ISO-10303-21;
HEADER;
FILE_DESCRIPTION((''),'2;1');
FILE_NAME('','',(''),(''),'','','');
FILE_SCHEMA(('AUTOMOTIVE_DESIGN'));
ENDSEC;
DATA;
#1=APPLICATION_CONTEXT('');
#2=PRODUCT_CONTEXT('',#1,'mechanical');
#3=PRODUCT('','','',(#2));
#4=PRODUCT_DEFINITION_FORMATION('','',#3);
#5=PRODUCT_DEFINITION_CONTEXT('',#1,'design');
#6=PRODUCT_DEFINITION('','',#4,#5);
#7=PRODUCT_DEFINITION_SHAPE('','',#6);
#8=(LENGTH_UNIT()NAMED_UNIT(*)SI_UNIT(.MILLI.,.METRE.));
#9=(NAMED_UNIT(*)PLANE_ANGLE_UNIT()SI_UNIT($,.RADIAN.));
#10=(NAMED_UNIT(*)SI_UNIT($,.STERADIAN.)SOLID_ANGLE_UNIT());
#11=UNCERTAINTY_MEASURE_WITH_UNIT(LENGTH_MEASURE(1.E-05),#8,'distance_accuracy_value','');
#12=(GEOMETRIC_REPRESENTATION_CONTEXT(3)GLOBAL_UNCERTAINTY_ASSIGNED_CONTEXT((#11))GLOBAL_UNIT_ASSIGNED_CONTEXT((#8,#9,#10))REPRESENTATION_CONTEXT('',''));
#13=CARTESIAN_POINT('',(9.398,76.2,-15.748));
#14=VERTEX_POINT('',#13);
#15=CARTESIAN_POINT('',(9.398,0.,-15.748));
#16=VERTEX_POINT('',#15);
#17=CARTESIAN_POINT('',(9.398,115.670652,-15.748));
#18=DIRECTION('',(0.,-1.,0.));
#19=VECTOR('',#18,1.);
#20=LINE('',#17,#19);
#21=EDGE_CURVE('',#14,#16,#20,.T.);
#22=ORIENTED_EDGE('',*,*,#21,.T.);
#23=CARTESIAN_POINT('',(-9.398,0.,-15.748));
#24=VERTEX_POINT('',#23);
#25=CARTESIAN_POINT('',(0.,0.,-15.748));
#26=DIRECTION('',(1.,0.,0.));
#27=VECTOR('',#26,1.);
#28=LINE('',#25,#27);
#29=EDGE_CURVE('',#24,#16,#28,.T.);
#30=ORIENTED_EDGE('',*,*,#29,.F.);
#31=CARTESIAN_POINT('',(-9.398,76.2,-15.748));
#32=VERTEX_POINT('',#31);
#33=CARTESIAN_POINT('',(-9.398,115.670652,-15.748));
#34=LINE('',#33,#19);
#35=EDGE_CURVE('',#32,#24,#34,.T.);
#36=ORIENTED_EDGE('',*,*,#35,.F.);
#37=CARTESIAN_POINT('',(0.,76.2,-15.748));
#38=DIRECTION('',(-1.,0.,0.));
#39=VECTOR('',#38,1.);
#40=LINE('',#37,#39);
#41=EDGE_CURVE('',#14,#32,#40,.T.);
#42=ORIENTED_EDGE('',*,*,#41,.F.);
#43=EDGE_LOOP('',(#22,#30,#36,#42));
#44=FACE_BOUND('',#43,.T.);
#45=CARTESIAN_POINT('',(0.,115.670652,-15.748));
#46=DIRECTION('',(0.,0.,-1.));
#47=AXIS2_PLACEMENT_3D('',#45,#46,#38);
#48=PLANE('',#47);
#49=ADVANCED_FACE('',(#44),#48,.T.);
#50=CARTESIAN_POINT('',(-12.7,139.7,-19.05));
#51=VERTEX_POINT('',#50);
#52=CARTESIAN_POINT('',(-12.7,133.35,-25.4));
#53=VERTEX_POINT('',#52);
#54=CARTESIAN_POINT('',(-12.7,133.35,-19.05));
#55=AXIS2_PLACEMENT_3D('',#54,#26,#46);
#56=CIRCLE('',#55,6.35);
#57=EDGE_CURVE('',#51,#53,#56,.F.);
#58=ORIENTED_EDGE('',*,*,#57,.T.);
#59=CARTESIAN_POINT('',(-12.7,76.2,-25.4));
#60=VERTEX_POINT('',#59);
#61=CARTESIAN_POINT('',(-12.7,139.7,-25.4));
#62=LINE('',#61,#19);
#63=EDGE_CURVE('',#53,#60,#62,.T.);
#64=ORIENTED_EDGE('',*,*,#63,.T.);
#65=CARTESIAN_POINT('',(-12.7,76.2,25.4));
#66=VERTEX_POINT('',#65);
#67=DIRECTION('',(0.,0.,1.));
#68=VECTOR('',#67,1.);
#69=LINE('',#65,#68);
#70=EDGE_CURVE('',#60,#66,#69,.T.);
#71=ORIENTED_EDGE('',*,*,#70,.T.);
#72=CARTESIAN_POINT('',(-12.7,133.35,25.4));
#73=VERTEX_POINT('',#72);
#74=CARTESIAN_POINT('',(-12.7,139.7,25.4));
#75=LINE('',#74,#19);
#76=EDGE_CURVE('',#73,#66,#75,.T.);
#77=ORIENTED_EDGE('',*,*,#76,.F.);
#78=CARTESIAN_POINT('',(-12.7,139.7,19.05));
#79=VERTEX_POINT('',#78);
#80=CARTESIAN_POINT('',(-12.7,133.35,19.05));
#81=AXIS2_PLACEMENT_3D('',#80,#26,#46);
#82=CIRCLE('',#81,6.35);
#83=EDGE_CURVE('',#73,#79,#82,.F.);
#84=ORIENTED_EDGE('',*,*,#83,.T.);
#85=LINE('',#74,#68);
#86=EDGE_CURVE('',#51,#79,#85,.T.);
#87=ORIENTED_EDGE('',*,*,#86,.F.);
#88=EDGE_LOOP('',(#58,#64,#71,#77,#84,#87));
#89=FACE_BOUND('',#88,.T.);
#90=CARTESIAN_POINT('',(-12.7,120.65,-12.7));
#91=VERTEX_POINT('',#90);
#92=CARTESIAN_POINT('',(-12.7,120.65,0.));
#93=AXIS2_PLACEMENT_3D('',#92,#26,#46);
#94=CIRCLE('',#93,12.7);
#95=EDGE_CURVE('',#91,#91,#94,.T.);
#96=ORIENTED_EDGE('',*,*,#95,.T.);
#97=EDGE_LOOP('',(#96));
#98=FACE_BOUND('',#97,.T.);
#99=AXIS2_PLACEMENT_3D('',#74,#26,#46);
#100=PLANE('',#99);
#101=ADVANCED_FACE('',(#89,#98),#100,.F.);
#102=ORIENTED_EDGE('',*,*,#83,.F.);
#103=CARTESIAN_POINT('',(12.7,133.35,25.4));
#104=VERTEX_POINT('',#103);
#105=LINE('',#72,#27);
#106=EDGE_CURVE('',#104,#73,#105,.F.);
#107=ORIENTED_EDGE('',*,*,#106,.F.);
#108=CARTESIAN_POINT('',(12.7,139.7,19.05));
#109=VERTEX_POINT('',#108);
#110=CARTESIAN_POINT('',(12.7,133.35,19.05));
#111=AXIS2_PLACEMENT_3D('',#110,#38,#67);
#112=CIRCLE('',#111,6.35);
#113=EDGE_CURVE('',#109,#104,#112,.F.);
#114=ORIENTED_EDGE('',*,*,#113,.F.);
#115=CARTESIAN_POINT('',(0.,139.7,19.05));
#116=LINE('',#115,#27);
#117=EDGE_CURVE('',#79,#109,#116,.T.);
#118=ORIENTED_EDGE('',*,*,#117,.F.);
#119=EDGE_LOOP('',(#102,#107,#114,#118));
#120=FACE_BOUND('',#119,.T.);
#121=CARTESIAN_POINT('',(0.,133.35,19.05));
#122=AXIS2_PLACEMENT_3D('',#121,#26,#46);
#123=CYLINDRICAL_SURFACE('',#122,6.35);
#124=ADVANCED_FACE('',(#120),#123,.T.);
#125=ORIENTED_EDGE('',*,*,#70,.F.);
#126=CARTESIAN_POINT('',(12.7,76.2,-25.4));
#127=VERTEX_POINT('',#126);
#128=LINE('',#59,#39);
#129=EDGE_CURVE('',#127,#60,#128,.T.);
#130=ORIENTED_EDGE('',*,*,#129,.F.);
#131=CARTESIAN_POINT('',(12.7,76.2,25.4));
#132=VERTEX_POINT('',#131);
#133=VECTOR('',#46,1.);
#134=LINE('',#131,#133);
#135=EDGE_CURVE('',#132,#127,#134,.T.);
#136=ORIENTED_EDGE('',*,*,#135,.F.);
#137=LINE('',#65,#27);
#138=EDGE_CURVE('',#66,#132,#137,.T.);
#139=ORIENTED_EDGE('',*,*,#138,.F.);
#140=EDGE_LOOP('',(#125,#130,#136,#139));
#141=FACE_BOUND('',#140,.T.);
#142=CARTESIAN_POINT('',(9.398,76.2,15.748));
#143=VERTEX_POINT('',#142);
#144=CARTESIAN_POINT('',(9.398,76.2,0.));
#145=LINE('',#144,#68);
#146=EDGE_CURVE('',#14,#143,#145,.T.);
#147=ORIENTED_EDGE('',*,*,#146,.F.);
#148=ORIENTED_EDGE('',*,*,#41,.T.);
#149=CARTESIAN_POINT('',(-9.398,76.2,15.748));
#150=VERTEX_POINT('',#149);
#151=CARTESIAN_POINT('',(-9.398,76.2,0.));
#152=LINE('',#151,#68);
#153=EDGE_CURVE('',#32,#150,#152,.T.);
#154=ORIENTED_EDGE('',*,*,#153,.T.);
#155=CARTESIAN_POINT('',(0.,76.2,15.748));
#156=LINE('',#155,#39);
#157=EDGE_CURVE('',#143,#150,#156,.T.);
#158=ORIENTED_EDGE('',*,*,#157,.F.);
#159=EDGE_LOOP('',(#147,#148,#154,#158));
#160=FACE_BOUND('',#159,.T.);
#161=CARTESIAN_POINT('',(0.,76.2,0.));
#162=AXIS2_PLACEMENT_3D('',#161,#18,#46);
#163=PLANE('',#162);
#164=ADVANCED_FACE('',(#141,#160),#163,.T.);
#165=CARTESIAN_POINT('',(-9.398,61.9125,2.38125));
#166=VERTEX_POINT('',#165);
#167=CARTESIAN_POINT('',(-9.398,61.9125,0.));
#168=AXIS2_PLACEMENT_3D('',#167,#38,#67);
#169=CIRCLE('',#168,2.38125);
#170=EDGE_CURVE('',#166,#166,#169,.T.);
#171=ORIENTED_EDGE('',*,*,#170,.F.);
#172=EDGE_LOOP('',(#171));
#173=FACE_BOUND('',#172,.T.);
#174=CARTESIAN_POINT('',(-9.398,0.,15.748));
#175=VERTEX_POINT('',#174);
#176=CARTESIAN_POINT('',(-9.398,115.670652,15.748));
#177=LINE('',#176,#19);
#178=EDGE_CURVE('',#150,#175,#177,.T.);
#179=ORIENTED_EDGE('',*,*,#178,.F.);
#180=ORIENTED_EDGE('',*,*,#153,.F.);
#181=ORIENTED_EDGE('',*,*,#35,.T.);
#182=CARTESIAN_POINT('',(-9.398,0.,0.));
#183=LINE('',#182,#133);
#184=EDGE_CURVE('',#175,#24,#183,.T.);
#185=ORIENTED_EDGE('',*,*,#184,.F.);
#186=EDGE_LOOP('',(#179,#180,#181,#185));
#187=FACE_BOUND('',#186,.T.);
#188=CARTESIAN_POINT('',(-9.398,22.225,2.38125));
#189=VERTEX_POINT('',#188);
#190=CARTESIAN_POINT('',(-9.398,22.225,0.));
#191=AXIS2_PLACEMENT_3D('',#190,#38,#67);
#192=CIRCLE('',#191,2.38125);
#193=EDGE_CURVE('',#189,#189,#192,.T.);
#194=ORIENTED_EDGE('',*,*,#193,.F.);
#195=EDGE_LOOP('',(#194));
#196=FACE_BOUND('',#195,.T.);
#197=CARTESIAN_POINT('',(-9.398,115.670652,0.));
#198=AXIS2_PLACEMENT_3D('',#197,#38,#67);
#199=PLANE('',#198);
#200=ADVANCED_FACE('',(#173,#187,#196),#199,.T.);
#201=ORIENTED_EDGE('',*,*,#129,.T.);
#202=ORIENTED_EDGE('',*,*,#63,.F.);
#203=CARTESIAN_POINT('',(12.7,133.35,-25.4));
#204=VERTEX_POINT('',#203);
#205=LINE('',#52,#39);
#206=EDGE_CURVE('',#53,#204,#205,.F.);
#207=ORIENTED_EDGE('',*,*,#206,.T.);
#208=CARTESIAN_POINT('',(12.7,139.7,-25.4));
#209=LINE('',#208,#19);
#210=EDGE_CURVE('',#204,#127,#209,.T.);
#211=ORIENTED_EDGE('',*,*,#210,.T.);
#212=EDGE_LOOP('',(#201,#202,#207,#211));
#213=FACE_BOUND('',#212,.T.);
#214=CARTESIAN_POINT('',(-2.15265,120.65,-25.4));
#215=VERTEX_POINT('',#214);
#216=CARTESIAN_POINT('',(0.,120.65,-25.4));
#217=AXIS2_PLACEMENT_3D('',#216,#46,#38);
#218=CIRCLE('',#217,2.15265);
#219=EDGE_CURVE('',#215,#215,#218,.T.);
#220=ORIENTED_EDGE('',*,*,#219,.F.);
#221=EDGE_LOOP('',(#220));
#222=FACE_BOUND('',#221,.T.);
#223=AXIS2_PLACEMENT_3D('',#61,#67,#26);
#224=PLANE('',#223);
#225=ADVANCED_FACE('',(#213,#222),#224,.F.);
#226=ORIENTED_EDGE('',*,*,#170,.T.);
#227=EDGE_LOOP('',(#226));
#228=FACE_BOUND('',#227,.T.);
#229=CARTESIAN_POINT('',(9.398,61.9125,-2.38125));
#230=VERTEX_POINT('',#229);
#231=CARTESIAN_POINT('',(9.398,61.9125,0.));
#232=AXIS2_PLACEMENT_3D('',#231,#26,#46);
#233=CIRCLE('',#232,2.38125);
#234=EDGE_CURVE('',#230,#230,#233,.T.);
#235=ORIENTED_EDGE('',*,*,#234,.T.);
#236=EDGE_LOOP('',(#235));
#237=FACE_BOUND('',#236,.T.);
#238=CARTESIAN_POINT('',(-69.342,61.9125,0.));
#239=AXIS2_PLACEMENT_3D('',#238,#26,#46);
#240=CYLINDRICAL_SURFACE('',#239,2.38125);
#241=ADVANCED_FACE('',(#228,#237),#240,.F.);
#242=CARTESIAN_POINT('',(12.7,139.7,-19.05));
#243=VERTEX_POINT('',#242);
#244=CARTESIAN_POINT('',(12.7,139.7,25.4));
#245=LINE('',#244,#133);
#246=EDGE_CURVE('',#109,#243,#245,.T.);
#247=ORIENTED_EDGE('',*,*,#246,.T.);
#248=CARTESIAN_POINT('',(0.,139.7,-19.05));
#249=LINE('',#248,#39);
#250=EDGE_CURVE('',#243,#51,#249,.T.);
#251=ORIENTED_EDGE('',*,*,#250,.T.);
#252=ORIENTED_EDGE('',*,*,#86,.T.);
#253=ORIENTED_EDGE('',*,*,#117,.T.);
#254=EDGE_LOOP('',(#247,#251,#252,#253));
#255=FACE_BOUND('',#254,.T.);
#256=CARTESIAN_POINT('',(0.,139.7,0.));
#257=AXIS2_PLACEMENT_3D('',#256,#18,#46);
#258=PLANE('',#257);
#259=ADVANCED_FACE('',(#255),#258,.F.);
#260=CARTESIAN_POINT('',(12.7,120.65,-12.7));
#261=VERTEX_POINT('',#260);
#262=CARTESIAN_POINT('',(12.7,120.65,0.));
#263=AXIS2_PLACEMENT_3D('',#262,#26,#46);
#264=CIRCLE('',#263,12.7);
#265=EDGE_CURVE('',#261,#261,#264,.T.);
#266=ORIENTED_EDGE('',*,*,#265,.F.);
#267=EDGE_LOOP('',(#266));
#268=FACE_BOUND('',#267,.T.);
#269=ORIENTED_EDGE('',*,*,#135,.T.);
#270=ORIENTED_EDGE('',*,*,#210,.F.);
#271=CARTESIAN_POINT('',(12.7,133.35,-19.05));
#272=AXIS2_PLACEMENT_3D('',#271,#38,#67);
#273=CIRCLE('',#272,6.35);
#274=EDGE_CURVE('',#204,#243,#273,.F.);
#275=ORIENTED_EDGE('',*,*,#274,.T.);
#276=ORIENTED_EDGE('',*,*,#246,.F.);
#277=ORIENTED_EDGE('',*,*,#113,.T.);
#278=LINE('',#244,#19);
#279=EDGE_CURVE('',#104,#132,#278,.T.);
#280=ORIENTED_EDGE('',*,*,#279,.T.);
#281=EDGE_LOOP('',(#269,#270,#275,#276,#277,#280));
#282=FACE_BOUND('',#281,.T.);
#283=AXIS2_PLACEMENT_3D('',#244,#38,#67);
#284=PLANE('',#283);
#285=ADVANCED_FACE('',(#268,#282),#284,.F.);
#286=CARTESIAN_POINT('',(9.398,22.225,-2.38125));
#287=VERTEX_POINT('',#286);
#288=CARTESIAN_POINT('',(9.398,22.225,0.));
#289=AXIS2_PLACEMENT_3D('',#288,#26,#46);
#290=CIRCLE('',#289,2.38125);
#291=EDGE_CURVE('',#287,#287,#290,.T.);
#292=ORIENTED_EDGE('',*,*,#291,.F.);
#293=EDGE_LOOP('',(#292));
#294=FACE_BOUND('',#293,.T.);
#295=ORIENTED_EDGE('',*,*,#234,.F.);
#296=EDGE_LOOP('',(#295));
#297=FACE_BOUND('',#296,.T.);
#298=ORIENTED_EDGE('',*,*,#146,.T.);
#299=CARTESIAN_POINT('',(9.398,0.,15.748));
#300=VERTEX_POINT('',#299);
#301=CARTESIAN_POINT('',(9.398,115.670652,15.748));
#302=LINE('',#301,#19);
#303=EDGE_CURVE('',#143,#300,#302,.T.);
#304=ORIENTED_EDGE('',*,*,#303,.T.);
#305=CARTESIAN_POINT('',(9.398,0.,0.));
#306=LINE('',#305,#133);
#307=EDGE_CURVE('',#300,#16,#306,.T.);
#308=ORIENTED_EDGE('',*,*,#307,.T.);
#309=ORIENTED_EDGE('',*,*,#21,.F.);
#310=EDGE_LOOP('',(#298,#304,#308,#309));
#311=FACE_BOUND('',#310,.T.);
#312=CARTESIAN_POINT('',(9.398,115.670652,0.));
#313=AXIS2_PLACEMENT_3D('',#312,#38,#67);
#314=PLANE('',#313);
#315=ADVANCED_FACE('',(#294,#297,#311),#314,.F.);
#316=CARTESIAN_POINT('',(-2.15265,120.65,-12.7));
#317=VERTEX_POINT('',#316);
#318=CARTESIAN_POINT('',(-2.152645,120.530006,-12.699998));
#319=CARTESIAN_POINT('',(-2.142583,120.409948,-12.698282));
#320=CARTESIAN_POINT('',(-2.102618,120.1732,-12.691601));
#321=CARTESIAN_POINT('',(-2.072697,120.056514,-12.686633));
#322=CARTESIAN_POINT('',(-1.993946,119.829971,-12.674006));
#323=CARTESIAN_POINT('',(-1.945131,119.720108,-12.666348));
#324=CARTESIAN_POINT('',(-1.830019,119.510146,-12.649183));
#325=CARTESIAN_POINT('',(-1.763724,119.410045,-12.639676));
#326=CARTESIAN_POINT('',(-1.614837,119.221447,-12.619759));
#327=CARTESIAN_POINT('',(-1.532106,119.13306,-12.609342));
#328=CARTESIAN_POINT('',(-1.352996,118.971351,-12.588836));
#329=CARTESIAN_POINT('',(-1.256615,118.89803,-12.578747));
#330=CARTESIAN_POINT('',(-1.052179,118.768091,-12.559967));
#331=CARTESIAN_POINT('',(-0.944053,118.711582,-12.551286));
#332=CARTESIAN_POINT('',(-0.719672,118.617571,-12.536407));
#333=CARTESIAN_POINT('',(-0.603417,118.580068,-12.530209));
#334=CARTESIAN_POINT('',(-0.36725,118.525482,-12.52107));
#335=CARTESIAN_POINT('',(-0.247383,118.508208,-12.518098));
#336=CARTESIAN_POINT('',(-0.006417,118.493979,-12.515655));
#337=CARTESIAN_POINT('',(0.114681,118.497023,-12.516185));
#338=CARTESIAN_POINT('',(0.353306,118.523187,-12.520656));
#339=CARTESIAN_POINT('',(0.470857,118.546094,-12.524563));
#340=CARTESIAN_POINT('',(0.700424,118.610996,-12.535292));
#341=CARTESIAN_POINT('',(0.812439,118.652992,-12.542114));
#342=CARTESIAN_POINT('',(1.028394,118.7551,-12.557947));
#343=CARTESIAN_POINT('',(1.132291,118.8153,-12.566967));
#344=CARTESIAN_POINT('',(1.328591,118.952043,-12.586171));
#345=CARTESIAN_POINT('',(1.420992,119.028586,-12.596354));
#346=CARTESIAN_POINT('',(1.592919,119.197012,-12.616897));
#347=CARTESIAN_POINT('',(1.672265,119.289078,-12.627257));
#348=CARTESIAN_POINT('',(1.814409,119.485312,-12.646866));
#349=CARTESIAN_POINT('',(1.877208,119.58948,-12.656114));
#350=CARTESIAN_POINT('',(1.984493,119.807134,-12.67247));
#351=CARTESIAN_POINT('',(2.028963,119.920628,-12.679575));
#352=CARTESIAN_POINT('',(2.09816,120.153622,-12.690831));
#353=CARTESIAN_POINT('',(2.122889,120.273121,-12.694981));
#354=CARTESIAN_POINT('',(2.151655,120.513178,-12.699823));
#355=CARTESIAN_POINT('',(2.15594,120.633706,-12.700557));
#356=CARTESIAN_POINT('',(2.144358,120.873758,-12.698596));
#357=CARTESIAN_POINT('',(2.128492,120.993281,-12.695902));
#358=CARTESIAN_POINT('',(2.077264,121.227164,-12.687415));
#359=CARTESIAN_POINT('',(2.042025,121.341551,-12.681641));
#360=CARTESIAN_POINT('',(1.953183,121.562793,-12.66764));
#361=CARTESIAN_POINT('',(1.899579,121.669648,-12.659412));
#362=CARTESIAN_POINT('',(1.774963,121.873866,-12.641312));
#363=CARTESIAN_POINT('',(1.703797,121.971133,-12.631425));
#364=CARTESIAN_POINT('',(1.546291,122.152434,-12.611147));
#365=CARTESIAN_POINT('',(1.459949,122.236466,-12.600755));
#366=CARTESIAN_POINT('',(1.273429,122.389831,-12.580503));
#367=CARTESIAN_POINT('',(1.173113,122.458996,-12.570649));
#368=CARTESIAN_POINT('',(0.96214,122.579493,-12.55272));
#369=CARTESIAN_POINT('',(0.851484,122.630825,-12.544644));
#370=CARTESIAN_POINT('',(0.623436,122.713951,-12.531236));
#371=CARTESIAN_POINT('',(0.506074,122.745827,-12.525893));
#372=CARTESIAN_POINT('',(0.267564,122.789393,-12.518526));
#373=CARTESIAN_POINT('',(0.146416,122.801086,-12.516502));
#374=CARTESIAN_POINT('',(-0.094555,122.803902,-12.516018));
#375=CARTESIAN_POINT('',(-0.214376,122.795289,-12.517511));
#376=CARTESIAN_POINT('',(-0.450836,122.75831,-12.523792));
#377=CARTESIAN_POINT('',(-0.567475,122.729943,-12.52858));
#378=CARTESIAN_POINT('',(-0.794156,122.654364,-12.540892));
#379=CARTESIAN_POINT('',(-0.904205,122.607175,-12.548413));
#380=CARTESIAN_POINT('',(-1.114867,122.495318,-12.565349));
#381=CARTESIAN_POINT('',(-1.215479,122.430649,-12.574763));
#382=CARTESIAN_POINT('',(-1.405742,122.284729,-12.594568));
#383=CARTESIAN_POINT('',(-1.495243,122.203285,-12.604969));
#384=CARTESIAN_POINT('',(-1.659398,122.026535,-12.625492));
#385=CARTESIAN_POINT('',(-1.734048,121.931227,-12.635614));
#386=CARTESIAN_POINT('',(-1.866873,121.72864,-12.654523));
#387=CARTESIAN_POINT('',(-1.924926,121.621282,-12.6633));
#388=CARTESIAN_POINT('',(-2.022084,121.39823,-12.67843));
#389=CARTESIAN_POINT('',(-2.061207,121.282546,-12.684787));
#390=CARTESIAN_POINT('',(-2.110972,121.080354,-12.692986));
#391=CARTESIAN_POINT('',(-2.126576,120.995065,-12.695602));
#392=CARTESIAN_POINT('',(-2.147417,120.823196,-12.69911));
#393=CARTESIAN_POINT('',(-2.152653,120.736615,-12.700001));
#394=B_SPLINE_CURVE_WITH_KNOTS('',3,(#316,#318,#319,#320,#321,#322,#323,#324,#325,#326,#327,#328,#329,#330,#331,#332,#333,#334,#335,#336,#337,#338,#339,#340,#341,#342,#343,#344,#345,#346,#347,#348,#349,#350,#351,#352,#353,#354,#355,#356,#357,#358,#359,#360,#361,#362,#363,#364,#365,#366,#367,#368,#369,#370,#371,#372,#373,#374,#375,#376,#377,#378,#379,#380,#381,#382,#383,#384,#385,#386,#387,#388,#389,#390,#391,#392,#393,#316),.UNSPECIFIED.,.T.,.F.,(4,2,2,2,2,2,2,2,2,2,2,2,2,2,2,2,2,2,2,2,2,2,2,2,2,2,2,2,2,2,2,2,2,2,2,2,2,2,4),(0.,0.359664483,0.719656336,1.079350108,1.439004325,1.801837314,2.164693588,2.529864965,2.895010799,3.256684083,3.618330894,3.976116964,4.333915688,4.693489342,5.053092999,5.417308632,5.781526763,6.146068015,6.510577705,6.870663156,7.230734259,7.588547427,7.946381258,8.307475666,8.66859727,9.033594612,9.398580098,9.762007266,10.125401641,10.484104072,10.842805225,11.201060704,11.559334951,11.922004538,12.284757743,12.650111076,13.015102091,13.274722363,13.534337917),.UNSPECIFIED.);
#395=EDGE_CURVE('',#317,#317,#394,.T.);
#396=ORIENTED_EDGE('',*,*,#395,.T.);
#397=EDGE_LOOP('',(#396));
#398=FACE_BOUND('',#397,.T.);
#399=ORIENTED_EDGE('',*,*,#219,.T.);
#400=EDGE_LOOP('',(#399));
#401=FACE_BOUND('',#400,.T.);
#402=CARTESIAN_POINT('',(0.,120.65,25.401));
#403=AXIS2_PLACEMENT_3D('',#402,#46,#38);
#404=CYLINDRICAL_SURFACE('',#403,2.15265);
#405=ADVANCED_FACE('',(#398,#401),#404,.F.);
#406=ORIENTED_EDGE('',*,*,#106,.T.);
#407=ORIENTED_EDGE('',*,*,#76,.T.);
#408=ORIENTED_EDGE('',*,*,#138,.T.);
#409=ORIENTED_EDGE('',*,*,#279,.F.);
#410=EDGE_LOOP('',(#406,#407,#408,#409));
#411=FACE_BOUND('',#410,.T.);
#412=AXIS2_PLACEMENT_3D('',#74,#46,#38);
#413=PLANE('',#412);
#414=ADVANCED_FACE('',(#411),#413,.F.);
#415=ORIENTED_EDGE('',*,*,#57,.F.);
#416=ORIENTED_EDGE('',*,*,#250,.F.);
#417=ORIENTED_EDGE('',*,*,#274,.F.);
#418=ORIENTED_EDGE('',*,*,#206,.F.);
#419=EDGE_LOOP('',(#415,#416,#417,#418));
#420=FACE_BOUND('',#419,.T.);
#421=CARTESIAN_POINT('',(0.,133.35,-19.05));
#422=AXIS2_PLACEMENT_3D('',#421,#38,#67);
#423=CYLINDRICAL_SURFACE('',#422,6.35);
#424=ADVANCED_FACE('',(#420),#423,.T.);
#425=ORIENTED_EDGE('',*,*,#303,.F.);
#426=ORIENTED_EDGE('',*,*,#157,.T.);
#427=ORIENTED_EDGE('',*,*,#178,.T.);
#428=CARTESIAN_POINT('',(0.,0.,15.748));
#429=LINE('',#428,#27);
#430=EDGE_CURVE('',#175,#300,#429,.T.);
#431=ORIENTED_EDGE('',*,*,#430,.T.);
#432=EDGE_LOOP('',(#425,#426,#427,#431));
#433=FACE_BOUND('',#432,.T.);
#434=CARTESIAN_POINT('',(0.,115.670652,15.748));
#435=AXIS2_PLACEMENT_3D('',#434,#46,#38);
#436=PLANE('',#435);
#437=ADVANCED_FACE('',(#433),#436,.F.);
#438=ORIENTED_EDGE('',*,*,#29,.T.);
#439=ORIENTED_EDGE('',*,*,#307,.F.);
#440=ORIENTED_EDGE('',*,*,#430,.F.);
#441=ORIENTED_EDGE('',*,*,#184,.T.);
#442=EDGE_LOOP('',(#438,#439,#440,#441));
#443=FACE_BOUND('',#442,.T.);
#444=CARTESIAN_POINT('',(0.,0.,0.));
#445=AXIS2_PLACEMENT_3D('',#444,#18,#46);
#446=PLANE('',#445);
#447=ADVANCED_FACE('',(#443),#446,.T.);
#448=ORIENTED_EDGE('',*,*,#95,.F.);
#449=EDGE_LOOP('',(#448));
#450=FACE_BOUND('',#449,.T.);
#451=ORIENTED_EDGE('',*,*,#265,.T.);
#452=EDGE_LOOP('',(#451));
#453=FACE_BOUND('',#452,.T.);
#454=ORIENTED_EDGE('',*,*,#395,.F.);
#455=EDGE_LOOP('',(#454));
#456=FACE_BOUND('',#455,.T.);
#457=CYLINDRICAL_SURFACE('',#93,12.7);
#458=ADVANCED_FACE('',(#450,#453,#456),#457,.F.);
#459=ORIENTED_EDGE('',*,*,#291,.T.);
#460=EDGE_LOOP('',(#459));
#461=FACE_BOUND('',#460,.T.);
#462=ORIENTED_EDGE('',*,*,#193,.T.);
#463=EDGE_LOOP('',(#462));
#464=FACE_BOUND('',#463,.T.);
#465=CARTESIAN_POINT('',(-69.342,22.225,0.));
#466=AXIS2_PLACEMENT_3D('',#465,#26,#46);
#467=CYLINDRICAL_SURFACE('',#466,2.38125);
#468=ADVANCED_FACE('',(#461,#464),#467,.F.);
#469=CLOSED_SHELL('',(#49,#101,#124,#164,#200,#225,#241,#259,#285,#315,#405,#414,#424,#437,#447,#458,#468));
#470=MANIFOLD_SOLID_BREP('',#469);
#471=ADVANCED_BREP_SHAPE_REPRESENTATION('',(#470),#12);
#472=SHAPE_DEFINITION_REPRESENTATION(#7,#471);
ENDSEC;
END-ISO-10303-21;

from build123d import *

# Parameters (mm, degrees)
SKETCH2_W               = 20.828
SKETCH2_H               = 33.528
BOSS_EXTRUDE1_DEPTH     = 76.2
SKETCH3_W               = 25.4
SKETCH3_H               = 50.8
BOSS_EXTRUDE2_DEPTH     = 63.5
FILLET1_R               = 6.35
SKETCH4_R               = 12.7
CUT_EXTRUDE1_DEPTH      = 145.244271983
CUT_EXTRUDE2_REACH      = 151.191
CUT_EXTRUDE2_END_RADIUS = 12.7
SKETCH5_R               = 2.15265
SKETCH6_W               = 20.828
SKETCH6_H               = 33.528
CUT_EXTRUDE3_DEPTH      = 76.2
SKETCH7_R               = 2.38125
CUT_EXTRUDE4_DEPTH      = 78.74


with BuildPart() as part:
    # Sketch2 → Boss-Extrude1 (new body)
    with BuildSketch(Plane(origin=(0, 0, 0), x_dir=(1, 0, 0), z_dir=(0, 1, 0))):
        Rectangle(SKETCH2_W, SKETCH2_H)
    extrude(amount=BOSS_EXTRUDE1_DEPTH)

    # Sketch3 → Boss-Extrude2 (add)
    with BuildSketch(Plane(origin=(0, 76.2, 0), x_dir=(1, 0, 0), z_dir=(0, 1, 0))):
        Rectangle(SKETCH3_W, SKETCH3_H)
    extrude(amount=BOSS_EXTRUDE2_DEPTH)

    # Fillet1
    fillet1_edges = [part.edges().sort_by_distance(p)[0] for p in [
        (0, 139.7, -25.4),
        (0, 139.7, 25.4),
    ]]
    fillet(fillet1_edges, radius=FILLET1_R)

    # Sketch4 → Cut-Extrude1 (cut, through all)
    with BuildSketch(Plane(origin=(12.7, 0, 0), x_dir=(0, 0, -1), z_dir=(1, 0, 0))):
        with Locations((0, 120.65)):
            Circle(SKETCH4_R)
    extrude(amount=-CUT_EXTRUDE1_DEPTH, mode=Mode.SUBTRACT)

    # Cut-Extrude2: up to this cylinder (the profile starts outside it)
    cut_extrude2_end = Plane(origin=(0, 120.65, 0), z_dir=(1, 0, 0)) * Cylinder(CUT_EXTRUDE2_END_RADIUS, 328.782, mode=Mode.PRIVATE)
    # Sketch5 → Cut-Extrude2 (cut, up to the surface)
    with BuildSketch(Plane(origin=(0, 0, -25.4), x_dir=(-1, 0, 0), z_dir=(0, 0, -1)), mode=Mode.PRIVATE) as cut_extrude2_sk1:
        with Locations((0, 120.65)):
            Circle(SKETCH5_R)
    cut_extrude2_tool1 = extrude(cut_extrude2_sk1.sketch, amount=-CUT_EXTRUDE2_REACH, mode=Mode.PRIVATE) - cut_extrude2_end
    add(cut_extrude2_tool1.solids().sort_by_distance((0, 120.65, -25.4))[0], mode=Mode.SUBTRACT)

    # Sketch6 → Cut-Extrude3 (cut)
    with BuildSketch(Plane.XZ):
        Rectangle(SKETCH6_W, SKETCH6_H)
        Polygon((-9.398, -15.748), (-9.398, 15.748), (0, 15.748), (9.398, 15.748), (9.398, -15.748), align=None, mode=Mode.SUBTRACT)
    extrude(amount=-CUT_EXTRUDE3_DEPTH, mode=Mode.SUBTRACT)

    # Sketch7 → Cut-Extrude4 (cut)
    with BuildSketch(Plane(origin=(9.398, 0, 0), x_dir=(0, 0, -1), z_dir=(1, 0, 0))):
        with Locations((0, 61.9125)):
            Circle(SKETCH7_R)
        with Locations((0, 22.225)):
            Circle(SKETCH7_R)
    extrude(amount=-CUT_EXTRUDE4_DEPTH, mode=Mode.SUBTRACT)


solid = part.part
